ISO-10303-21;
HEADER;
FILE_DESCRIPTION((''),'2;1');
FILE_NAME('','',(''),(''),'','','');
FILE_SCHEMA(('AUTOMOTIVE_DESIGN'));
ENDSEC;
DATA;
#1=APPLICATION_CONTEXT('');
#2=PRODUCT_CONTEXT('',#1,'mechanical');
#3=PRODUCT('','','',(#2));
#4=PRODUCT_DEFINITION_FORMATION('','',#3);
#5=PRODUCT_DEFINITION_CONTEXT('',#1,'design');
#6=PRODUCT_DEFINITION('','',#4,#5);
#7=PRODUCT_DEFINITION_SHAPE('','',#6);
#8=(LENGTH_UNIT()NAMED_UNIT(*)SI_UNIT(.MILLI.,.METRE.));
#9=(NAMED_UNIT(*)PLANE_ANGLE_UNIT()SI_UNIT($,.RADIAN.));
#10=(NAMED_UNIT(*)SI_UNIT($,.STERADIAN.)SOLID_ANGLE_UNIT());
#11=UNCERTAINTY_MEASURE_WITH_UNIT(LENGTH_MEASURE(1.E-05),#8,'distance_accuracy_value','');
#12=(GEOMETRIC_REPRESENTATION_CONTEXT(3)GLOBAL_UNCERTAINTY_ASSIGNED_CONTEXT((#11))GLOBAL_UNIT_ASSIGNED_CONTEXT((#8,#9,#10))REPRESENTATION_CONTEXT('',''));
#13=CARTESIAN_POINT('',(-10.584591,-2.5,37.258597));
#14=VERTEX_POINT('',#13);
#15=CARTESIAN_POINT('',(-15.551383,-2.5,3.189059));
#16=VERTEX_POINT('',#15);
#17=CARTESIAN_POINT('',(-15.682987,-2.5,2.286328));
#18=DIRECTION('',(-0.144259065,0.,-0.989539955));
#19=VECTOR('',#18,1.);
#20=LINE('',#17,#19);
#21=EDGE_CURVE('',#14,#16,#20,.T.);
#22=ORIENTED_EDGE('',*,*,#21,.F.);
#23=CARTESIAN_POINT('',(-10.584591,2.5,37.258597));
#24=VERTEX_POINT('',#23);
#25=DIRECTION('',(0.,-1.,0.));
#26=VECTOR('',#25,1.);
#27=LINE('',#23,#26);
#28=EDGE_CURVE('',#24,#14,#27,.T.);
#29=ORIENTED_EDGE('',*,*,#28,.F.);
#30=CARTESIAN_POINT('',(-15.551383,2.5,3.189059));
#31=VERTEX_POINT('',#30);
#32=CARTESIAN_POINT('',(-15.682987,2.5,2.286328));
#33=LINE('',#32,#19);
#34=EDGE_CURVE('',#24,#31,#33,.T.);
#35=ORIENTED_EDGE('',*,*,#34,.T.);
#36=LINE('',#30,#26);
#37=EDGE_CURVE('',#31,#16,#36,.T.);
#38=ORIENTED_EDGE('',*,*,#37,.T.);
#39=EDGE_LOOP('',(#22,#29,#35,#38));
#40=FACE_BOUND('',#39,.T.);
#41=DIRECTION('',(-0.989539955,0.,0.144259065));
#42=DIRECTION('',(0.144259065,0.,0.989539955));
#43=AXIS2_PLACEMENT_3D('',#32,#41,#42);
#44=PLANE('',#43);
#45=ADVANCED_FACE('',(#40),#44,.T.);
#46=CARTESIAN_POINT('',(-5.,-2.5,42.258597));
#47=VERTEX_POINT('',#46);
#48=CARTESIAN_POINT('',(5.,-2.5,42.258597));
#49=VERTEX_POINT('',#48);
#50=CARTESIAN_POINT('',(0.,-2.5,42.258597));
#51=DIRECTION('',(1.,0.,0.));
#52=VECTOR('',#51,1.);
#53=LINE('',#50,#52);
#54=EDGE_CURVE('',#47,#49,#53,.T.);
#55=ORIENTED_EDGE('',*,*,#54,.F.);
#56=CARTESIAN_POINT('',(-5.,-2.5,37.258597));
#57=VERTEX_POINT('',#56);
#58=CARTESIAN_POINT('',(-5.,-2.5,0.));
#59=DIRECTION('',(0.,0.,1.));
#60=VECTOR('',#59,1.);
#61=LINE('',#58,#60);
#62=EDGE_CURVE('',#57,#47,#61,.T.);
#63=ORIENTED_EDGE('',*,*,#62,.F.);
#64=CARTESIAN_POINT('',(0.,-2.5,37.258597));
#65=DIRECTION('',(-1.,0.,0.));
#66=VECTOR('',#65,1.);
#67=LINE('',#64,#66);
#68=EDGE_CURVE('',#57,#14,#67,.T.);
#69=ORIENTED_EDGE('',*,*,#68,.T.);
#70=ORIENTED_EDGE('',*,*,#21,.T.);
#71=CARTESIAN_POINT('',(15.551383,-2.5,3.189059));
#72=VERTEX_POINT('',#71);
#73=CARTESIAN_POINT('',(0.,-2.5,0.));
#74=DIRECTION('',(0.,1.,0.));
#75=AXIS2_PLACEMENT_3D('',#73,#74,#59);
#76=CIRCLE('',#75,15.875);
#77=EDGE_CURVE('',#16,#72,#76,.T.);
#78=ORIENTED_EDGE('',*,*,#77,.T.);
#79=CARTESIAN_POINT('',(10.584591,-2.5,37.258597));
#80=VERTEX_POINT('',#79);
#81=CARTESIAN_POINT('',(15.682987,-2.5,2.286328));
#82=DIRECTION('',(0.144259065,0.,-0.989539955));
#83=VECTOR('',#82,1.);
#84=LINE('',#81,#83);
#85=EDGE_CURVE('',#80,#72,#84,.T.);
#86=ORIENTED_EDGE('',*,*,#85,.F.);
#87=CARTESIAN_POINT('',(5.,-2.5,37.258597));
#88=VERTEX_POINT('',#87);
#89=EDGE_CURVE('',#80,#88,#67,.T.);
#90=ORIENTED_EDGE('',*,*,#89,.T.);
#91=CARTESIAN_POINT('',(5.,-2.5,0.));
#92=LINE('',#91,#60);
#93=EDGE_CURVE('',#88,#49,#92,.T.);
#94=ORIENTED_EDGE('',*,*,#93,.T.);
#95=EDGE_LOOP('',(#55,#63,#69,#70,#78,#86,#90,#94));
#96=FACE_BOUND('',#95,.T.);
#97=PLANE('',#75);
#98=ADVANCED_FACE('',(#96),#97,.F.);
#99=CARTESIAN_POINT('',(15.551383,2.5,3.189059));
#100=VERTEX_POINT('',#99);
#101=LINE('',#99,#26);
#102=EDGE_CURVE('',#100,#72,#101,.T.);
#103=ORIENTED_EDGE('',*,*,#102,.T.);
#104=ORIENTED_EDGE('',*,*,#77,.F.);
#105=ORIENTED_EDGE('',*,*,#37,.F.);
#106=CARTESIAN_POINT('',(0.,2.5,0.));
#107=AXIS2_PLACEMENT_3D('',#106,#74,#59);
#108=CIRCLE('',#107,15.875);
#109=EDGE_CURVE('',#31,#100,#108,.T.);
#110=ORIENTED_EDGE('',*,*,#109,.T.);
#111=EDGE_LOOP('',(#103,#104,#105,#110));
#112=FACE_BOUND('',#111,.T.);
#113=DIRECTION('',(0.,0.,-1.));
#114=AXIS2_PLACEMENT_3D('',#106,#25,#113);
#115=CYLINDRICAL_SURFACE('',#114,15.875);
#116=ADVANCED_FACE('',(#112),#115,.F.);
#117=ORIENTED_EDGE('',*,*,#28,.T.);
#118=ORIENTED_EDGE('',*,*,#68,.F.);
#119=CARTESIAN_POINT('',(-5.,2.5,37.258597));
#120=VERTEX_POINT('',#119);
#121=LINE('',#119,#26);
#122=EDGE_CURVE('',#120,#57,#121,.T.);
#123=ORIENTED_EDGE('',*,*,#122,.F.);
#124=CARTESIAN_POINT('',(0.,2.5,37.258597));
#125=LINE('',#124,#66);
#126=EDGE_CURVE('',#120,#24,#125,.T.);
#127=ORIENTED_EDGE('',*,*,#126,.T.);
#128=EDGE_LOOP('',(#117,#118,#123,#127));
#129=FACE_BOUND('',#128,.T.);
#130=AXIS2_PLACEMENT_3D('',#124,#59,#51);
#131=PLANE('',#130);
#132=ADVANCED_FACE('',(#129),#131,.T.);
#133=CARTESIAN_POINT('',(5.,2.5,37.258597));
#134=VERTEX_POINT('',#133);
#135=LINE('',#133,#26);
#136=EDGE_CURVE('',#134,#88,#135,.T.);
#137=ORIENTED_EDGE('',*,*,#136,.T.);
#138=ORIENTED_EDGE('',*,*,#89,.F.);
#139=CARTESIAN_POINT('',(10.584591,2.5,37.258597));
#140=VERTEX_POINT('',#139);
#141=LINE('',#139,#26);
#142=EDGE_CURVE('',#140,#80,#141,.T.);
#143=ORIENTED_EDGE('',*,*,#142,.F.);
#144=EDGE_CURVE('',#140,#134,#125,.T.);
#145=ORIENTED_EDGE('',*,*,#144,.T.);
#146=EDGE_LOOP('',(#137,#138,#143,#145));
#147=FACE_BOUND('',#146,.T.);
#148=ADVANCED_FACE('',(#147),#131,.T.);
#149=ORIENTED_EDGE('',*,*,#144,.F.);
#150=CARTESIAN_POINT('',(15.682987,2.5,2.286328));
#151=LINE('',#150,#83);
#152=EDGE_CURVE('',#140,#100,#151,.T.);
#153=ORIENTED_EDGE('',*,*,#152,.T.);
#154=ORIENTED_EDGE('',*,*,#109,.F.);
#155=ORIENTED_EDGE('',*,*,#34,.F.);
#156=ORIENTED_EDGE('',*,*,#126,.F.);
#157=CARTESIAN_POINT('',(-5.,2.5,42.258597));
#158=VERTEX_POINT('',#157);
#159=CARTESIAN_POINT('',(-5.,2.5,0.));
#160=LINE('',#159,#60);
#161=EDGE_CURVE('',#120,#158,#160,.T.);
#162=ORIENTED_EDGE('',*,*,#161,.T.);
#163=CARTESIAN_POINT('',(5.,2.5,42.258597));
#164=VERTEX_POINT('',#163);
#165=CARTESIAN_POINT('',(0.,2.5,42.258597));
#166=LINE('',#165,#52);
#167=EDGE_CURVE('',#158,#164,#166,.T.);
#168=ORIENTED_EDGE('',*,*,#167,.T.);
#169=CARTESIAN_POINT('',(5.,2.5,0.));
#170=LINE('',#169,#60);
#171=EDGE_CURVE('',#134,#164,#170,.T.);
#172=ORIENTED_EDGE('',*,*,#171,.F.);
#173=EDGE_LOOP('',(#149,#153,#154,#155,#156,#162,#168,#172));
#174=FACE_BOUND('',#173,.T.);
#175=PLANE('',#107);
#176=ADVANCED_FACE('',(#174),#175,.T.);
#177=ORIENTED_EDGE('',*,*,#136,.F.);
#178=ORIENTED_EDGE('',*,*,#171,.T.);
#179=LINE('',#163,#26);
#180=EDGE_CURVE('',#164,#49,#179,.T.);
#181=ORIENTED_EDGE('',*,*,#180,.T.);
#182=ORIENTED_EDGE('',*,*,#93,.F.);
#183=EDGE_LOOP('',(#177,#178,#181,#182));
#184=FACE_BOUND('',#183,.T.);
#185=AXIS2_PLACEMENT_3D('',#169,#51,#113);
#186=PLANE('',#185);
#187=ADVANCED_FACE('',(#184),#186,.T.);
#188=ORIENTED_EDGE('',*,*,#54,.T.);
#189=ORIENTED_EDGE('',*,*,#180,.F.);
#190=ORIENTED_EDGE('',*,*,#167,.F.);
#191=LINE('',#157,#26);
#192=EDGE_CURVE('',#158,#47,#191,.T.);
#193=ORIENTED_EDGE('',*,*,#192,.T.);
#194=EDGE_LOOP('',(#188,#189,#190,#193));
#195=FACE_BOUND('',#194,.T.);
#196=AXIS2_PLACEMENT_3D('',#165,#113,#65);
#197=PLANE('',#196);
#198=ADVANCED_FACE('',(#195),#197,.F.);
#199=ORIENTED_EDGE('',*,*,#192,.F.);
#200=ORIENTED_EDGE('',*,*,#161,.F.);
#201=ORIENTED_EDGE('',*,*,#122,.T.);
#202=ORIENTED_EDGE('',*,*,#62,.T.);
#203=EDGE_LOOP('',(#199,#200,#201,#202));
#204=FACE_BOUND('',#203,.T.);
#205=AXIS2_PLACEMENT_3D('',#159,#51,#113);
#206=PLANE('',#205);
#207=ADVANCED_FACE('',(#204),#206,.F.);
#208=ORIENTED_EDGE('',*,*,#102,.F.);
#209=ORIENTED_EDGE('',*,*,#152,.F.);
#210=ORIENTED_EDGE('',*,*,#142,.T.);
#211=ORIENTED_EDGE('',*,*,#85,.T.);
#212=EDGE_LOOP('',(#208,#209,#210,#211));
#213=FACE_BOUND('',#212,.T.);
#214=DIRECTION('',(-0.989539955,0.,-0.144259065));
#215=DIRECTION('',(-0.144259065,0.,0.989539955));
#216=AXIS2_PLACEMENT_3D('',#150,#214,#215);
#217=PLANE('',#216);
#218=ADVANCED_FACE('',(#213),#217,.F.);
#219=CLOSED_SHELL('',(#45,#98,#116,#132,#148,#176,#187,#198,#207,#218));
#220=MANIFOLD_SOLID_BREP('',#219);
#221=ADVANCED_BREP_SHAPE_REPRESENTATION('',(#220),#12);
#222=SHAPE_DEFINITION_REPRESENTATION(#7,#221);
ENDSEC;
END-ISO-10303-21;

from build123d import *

# Parameters (mm, degrees)
BOSS_EXTRUDE1_DEPTH = 2.5


with BuildPart() as part:
    # Sketch1 → Boss-Extrude1 (new, symmetric)
    with BuildSketch(Plane(origin=(0, 0, 0), x_dir=(-1, 0, 0), z_dir=(0, 1, 0))):
        with BuildLine():
            Line((-5, 37.258597416), (-10.584590832, 37.258597416))
            Line((-10.584590832, 37.258597416), (-15.551383484, 3.189058909))
            ThreePointArc((-15.551383484, 3.189058909), (0, 15.875), (15.551383484, 3.189058909))
            Line((15.551383484, 3.189058909), (10.584590832, 37.258597416))
            Line((10.584590832, 37.258597416), (5, 37.258597416))
            Line((5, 37.258597416), (5, 42.258597416))
            Line((5, 42.258597416), (-5, 42.258597416))
            Line((-5, 42.258597416), (-5, 37.258597416))
        make_face()
    extrude(amount=BOSS_EXTRUDE1_DEPTH, both=True)


solid = part.part
